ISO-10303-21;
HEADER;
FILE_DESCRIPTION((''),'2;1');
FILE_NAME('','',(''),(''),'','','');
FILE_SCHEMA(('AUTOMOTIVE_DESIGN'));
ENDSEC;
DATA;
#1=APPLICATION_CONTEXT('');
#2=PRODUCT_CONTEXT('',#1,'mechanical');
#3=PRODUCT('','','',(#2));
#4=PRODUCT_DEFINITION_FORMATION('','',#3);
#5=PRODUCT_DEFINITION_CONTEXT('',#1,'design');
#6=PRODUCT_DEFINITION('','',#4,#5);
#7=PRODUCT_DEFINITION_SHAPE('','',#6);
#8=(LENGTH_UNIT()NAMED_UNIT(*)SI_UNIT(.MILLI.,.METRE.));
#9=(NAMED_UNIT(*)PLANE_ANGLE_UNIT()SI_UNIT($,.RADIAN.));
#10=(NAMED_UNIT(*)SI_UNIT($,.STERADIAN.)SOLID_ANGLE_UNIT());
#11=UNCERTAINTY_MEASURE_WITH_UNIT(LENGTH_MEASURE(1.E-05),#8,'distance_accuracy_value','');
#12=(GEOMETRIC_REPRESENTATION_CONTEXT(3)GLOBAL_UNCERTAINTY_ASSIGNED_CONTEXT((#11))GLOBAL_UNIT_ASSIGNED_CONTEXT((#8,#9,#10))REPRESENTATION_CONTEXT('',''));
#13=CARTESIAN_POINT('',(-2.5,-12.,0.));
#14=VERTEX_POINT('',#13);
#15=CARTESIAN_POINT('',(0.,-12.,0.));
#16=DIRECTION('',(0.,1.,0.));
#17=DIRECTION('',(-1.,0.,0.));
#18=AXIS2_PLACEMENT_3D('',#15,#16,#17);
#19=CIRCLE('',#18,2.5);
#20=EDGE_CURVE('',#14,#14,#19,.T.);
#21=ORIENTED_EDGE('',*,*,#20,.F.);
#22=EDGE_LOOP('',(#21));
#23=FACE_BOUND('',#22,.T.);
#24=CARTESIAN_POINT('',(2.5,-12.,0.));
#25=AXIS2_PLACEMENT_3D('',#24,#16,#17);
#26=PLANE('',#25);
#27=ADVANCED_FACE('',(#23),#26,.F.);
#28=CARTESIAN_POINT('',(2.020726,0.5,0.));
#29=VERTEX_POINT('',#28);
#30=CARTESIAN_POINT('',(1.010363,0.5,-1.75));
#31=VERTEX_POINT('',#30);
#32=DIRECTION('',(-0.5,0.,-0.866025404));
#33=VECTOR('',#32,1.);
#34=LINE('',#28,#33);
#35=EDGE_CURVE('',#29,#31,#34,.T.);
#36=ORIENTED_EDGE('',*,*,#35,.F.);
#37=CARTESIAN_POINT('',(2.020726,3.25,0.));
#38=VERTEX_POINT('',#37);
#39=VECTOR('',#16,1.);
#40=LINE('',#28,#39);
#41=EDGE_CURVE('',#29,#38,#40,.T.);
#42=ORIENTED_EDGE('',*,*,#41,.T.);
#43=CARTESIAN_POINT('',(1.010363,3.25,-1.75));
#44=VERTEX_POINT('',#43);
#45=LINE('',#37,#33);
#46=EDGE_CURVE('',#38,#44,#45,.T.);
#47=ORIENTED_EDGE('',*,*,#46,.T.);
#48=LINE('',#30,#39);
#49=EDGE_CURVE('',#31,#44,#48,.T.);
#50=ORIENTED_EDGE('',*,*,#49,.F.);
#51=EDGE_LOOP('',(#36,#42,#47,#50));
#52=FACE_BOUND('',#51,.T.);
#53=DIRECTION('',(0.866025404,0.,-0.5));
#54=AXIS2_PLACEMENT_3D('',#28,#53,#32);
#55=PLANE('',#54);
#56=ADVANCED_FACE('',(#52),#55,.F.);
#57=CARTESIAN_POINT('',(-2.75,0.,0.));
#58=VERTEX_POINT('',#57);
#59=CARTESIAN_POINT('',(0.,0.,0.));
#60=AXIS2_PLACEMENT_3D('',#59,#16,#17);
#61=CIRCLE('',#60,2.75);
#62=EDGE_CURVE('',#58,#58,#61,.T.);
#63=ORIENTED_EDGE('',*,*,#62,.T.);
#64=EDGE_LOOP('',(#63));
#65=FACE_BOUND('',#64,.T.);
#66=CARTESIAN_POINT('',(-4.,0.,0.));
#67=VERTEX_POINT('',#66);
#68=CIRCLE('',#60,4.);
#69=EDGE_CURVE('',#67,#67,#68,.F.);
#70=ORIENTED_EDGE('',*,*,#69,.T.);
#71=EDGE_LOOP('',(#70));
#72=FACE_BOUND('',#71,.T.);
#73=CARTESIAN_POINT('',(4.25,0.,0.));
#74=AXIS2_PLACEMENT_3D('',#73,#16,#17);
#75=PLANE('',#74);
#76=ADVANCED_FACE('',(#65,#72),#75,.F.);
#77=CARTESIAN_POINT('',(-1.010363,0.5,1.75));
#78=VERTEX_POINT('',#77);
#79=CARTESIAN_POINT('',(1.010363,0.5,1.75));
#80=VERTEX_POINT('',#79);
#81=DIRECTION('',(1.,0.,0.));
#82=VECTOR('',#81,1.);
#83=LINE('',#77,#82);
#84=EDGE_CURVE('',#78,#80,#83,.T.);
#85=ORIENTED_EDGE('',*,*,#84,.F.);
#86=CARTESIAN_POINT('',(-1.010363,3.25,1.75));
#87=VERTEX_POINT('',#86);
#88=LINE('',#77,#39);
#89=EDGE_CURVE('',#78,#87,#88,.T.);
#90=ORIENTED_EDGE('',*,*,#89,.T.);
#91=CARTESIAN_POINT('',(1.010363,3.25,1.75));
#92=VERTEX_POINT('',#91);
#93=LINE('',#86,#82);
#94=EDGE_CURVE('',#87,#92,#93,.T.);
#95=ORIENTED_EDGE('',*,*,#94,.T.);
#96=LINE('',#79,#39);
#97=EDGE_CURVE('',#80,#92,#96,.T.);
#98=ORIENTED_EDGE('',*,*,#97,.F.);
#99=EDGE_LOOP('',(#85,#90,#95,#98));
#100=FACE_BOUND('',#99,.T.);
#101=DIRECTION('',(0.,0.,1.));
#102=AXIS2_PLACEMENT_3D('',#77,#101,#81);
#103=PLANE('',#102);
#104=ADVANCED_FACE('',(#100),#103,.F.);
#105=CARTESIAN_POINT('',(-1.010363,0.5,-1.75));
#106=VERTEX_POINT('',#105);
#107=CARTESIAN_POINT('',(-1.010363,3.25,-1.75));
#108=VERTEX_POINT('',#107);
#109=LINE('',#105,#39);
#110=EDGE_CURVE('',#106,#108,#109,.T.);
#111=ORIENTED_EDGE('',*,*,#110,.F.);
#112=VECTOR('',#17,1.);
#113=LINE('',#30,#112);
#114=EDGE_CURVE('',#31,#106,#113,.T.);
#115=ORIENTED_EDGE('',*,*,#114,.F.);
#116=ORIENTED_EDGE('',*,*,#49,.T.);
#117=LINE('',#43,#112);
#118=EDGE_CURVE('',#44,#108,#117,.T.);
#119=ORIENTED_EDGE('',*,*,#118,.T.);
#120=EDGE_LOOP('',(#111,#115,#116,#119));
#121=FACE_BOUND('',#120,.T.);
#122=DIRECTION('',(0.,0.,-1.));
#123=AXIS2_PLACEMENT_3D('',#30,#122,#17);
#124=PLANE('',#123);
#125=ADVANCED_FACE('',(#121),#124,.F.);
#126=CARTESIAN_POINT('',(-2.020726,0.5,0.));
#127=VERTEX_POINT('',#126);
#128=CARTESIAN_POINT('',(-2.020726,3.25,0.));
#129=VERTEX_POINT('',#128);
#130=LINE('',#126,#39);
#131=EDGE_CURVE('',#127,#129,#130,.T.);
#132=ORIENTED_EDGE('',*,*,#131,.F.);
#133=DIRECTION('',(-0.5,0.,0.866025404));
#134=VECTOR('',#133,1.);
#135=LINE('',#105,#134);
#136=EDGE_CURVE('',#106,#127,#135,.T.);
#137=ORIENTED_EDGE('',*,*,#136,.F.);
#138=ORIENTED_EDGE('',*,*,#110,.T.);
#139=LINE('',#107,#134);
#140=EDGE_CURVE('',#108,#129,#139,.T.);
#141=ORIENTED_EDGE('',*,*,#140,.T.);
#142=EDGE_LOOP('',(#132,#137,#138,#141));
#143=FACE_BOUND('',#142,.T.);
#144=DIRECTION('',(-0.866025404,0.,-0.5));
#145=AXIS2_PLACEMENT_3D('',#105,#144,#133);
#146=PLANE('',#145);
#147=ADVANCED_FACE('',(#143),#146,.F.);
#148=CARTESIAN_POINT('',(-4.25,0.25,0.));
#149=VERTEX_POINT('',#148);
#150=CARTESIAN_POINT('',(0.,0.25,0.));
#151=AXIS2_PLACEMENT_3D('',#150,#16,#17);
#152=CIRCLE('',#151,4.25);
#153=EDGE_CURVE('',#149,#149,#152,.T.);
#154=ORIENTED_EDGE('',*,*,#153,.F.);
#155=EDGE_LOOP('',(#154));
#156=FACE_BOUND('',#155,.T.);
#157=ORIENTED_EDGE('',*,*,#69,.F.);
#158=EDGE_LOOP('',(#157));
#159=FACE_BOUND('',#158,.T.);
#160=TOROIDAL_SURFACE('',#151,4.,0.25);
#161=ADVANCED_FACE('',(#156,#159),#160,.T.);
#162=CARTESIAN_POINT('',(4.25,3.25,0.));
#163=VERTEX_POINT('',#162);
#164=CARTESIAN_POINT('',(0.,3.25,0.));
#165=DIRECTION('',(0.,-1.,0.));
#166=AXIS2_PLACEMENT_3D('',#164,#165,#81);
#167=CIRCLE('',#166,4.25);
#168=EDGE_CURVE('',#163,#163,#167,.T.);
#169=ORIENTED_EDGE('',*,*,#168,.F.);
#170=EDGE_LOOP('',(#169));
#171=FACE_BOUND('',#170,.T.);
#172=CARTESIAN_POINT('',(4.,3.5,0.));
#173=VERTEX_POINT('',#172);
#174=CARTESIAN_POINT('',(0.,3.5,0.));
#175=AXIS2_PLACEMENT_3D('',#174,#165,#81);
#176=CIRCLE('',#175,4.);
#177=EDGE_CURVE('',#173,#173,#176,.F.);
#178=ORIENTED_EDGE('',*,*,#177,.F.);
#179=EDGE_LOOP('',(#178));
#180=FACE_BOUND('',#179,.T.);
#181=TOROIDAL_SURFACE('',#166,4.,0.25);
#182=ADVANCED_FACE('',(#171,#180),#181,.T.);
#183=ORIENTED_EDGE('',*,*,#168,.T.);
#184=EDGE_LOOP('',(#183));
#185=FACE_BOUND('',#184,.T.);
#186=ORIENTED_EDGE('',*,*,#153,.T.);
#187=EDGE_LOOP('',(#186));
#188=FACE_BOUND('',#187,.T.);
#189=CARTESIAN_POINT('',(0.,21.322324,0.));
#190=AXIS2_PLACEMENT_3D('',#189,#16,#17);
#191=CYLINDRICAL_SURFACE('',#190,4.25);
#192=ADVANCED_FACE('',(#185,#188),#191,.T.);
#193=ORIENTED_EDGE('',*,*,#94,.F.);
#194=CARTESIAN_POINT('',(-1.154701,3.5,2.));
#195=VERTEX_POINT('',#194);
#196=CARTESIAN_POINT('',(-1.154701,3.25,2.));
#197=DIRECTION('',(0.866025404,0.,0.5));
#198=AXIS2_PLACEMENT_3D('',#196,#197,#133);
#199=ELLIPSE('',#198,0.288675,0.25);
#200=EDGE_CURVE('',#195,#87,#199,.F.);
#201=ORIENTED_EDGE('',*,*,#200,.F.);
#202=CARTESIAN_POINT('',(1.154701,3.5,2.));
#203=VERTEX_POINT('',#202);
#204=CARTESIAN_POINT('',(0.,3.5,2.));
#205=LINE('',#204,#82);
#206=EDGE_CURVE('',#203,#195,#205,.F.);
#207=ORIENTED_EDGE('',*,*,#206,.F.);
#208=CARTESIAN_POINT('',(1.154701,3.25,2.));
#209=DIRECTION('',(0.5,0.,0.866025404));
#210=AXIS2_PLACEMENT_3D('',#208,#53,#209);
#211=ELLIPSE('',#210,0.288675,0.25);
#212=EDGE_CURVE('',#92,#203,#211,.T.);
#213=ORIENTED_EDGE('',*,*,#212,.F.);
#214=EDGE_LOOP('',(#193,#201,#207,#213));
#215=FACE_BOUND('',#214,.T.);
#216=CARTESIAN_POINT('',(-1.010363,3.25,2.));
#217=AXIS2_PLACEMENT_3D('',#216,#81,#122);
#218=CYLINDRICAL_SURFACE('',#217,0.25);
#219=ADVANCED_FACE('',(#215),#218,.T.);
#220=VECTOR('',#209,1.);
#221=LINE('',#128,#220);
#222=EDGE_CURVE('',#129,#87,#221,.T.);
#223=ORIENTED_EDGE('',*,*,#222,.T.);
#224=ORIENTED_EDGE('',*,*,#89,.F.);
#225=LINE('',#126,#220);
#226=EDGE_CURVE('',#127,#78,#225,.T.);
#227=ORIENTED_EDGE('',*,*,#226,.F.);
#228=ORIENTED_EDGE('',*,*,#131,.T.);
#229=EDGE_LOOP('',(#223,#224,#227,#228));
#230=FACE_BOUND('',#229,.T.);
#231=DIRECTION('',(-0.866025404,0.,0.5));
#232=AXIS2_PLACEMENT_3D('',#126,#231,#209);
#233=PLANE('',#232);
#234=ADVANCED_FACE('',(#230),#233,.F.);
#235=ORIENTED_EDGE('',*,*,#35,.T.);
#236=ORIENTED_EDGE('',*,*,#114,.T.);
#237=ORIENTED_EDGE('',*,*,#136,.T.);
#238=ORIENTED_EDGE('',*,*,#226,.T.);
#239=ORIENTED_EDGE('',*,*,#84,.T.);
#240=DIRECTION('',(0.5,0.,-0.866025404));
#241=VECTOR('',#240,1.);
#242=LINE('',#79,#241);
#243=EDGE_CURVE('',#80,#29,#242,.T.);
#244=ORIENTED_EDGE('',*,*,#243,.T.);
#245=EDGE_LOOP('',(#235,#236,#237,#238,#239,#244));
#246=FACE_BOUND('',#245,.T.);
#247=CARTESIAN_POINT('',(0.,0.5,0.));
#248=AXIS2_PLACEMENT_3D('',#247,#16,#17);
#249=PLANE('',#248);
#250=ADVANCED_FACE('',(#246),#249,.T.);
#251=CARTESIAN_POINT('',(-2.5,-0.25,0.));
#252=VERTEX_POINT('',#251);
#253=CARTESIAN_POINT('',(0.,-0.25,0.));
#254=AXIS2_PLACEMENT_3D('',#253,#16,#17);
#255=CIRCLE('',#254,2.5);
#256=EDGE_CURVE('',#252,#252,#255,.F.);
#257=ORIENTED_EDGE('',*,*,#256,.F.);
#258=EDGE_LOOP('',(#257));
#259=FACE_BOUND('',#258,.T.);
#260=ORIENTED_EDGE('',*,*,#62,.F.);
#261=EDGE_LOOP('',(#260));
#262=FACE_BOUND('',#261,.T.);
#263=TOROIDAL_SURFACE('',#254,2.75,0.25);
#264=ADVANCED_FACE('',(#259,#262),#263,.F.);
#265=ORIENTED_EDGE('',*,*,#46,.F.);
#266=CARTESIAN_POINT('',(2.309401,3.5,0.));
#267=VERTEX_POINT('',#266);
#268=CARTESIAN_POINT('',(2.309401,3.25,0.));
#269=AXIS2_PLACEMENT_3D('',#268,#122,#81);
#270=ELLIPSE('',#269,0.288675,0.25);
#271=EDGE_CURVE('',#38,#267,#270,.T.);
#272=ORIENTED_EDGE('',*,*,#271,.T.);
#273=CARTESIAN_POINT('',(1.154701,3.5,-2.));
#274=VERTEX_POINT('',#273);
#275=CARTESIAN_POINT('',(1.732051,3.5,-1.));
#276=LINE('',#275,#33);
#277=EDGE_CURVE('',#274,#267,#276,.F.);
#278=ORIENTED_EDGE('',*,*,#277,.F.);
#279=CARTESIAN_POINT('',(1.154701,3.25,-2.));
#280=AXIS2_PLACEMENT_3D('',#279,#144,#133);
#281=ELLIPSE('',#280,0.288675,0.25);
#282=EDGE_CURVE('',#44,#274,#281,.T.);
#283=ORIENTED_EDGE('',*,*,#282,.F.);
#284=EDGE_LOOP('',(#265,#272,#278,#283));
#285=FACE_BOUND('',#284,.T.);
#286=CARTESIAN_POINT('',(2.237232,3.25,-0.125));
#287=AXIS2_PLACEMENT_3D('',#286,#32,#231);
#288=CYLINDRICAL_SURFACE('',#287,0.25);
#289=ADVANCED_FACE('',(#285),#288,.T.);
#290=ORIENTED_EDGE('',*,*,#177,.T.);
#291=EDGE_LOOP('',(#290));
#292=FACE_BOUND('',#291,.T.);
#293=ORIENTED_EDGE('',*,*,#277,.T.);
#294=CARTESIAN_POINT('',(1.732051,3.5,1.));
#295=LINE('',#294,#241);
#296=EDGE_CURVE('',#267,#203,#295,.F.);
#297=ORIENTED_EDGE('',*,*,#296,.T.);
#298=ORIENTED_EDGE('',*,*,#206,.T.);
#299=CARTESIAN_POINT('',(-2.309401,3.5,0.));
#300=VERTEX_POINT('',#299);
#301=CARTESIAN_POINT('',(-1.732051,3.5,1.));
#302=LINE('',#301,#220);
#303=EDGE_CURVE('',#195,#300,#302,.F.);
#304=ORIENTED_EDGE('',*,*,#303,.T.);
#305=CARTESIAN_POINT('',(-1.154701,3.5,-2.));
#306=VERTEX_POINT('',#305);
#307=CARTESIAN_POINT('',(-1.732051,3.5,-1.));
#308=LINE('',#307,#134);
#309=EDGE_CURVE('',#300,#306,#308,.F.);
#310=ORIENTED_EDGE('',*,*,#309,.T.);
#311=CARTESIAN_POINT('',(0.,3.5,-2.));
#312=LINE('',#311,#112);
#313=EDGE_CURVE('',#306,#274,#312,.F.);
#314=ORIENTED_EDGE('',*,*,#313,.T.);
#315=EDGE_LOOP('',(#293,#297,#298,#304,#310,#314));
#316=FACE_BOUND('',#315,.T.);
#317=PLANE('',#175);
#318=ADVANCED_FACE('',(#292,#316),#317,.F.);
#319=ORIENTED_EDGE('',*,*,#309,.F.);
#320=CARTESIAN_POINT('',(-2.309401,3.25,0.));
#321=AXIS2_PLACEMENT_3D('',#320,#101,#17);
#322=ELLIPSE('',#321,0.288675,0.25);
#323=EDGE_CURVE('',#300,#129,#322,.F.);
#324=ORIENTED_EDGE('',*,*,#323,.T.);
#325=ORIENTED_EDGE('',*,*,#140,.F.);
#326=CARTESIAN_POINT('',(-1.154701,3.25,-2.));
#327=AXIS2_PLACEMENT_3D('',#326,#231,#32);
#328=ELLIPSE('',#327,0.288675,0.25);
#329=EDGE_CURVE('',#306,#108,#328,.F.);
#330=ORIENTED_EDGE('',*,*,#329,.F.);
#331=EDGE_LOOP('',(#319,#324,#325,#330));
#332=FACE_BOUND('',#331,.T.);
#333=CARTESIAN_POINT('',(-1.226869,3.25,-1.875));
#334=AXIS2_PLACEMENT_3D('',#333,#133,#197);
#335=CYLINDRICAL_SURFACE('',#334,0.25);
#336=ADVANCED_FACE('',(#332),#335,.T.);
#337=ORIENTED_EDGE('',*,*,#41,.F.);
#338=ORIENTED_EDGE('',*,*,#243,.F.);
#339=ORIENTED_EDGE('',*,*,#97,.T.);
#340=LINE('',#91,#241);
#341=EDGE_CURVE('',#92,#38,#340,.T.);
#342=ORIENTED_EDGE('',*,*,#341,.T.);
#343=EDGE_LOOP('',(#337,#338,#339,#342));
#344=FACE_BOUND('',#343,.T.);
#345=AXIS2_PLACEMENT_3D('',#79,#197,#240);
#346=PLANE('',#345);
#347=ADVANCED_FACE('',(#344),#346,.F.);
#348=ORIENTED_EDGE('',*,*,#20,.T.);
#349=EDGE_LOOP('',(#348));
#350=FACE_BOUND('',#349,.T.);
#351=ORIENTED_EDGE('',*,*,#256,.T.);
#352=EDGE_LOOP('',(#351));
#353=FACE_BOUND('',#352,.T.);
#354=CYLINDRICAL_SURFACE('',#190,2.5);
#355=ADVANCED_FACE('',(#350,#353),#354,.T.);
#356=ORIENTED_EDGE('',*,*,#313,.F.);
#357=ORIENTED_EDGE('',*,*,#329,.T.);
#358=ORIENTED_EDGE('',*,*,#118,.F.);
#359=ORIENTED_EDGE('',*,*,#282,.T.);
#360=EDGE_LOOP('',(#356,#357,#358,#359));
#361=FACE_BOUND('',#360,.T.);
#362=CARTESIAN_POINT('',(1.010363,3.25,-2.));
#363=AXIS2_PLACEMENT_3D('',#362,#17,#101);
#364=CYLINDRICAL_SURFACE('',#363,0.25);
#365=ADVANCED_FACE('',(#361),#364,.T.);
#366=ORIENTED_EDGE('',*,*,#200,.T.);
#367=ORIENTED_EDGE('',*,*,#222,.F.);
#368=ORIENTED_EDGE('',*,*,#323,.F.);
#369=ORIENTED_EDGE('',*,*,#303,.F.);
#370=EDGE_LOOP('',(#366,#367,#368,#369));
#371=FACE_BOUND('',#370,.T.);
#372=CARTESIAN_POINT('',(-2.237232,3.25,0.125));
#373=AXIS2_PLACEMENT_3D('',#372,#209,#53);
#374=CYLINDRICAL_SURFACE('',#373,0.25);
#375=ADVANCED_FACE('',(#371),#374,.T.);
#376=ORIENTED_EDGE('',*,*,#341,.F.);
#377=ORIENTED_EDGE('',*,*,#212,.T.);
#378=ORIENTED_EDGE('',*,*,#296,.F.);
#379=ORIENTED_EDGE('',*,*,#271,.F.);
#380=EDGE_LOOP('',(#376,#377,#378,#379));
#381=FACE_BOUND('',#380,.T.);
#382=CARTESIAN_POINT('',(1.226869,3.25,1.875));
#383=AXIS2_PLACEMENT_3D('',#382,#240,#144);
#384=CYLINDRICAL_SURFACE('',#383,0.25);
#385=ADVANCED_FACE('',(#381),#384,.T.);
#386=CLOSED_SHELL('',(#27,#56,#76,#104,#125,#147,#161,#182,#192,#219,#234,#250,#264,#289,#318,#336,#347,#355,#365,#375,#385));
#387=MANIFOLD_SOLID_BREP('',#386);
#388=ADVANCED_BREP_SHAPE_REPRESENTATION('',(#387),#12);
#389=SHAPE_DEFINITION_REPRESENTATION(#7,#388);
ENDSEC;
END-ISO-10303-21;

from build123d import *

# Parameters (mm, degrees)
CUT_EXTRUDE1_DEPTH = 3
FILLET1_R          = 0.25


with BuildPart() as part:
    # Sketch2 → Revolve1 (revolve)
    with BuildSketch(Plane.XY, mode=Mode.PRIVATE) as revolve1_sk:
        Polygon((0, 3.5), (4.25, 3.5), (4.25, 0), (2.5, 0), (2.5, -12), (0, -12), align=None)
    revolve(revolve1_sk.sketch.rotate(Axis((0, 21.322324325, 0), (0, -1, 0)), 180), axis=Axis((0, 21.322324325, 0), (0, -1, 0)))

    # Sketch3 → Cut-Extrude1 (cut)
    with BuildSketch(Plane(origin=(0, 3.5, 0), x_dir=(1, 0, 0), z_dir=(0, 1, 0))):
        Polygon((2.020725942, 0), (1.010362971, 1.75), (-1.010362971, 1.75), (-2.020725942, 0), (-1.010362971, -1.75), (1.010362971, -1.75), align=None)
    extrude(amount=-CUT_EXTRUDE1_DEPTH, mode=Mode.SUBTRACT)

    # Fillet1
    fillet1_edges = [part.edges().sort_by_distance(p)[0] for p in [
        (1.515544457, 3.5, 0.875),
        (1.515544457, 3.5, -0.875),
        (0, 3.5, -1.75),
        (-1.515544457, 3.5, -0.875),
        (-1.515544457, 3.5, 0.875),
        (0, 3.5, 1.75),
        (2.5, 0, 0),
        (4.25, 0, 0),
        (4.25, 3.5, 0),
    ]]
    fillet(fillet1_edges, radius=FILLET1_R)


solid = part.part
